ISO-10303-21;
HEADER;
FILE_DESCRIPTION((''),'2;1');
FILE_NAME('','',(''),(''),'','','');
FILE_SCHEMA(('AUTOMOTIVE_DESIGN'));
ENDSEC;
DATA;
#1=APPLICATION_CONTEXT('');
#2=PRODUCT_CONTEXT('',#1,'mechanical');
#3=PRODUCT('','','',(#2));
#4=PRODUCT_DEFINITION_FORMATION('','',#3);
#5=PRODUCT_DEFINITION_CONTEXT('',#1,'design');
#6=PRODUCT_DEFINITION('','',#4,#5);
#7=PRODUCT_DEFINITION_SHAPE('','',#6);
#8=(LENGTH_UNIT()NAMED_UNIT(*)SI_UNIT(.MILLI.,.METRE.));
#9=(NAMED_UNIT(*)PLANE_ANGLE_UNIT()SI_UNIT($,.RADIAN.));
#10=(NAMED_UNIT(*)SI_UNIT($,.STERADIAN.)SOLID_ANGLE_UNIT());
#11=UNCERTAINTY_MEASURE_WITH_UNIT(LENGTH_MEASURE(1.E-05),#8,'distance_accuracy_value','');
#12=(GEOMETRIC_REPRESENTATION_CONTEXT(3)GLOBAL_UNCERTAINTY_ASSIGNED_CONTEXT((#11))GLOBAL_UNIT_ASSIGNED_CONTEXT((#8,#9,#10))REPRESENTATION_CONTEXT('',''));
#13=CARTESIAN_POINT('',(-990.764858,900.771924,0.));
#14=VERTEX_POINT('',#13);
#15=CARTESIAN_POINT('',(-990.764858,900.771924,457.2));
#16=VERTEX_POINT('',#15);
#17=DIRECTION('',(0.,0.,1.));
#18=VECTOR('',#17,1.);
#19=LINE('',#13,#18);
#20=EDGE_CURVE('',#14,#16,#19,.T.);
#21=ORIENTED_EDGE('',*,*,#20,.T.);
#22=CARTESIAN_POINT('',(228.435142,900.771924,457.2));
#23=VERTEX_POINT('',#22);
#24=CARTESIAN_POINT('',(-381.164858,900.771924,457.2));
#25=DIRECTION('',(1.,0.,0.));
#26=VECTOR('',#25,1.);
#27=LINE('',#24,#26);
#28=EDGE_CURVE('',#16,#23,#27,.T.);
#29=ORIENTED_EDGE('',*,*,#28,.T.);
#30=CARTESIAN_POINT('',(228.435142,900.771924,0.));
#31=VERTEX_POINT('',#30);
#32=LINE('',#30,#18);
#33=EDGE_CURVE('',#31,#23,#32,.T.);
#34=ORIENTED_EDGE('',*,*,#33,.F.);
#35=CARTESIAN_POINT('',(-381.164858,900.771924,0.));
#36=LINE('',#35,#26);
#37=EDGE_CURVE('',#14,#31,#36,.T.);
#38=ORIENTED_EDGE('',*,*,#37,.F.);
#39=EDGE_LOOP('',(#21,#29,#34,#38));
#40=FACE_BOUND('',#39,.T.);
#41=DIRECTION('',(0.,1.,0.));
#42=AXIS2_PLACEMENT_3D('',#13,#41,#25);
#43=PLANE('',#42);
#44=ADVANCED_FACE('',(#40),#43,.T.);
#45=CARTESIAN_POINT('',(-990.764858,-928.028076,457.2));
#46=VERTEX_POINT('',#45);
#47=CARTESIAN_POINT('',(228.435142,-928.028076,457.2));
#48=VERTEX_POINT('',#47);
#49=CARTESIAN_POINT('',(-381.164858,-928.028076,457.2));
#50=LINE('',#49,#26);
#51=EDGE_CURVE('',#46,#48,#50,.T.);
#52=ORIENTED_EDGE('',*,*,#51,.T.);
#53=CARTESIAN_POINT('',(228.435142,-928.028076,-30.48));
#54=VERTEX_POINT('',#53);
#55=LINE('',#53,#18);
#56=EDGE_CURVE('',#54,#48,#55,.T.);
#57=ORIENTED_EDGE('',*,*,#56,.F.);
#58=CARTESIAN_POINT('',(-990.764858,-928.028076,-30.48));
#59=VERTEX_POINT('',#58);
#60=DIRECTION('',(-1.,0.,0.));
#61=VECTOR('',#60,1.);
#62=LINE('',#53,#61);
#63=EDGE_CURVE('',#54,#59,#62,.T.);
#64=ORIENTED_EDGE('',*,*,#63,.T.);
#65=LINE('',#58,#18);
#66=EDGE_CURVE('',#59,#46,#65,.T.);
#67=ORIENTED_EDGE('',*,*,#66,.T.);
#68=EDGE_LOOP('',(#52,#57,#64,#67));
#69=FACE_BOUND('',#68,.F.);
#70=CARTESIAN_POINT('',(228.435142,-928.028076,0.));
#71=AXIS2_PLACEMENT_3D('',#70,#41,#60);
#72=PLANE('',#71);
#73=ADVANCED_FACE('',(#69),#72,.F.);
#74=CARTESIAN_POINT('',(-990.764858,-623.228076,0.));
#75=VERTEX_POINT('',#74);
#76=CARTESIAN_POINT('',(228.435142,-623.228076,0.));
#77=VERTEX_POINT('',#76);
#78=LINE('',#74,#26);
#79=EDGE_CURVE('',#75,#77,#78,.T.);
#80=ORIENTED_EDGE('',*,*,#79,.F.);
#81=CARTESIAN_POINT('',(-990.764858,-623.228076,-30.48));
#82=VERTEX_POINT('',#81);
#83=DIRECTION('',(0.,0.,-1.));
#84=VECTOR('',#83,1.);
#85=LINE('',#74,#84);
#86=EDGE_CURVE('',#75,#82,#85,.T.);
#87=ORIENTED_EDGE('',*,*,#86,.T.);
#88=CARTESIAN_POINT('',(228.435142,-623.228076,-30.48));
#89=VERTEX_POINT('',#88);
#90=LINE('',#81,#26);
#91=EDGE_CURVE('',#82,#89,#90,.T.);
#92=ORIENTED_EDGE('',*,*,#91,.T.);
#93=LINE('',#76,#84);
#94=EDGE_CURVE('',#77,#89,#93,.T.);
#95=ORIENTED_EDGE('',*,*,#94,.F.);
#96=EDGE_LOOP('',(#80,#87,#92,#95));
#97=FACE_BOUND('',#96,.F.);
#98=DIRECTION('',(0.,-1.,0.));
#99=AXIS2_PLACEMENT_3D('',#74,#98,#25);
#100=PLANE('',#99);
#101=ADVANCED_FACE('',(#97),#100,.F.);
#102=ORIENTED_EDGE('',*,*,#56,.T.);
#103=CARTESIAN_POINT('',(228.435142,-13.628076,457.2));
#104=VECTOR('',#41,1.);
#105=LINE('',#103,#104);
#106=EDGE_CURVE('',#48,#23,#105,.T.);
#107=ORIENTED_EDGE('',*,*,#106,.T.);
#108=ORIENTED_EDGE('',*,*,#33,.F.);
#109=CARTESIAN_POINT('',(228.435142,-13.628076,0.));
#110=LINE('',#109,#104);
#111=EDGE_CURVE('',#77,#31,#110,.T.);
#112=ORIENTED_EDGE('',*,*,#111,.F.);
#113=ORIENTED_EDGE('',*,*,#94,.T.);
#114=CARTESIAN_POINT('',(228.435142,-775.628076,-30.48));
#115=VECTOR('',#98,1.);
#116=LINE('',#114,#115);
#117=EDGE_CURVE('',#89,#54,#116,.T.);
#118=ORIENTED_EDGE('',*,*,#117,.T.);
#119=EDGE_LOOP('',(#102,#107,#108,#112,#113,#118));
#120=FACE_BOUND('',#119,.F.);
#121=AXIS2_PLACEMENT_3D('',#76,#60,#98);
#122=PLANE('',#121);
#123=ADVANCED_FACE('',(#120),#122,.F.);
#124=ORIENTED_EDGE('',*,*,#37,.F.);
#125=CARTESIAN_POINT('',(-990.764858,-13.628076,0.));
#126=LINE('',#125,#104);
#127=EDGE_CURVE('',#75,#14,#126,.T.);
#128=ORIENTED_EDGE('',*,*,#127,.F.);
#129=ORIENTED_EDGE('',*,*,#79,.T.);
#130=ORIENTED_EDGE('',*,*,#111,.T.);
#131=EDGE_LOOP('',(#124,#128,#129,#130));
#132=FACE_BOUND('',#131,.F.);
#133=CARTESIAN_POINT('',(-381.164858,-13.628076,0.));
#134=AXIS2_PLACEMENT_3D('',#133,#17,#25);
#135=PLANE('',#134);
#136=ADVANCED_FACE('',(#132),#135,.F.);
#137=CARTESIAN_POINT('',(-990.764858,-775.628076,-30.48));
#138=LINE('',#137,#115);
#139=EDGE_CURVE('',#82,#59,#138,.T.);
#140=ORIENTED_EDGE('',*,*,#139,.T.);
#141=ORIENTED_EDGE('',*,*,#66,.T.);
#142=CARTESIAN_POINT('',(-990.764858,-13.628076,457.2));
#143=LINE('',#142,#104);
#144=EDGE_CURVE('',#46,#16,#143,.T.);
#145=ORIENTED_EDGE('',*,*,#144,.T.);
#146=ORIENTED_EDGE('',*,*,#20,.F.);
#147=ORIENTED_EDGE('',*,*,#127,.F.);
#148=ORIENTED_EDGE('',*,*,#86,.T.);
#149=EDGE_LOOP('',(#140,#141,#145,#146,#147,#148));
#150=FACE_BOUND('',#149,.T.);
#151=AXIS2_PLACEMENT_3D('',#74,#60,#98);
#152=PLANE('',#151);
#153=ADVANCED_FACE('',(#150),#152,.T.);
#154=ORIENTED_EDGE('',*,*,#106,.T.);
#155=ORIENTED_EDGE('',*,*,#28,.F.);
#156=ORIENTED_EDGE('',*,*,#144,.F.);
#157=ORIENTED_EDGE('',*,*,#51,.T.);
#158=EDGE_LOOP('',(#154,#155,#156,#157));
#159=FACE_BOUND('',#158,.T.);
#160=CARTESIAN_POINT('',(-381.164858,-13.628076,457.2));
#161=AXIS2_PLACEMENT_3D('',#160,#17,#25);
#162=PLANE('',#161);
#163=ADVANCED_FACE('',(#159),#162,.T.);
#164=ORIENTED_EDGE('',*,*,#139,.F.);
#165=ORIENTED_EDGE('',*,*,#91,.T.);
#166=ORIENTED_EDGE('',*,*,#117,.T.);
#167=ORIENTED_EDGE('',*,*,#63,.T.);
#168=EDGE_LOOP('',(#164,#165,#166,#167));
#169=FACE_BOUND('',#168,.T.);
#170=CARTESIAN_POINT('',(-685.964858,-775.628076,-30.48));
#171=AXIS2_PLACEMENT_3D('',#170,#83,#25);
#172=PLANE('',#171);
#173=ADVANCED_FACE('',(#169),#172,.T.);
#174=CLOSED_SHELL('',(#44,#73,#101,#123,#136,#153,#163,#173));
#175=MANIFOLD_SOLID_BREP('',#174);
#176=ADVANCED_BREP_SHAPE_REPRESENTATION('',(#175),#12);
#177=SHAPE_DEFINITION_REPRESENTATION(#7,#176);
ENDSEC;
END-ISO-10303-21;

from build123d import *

# Parameters (mm, degrees)
F0_W     = 1219.2
F0_H     = 1828.8
F1_DEPTH = 457.2
F2_W     = 609.6
F2_H     = 304.8
F3_DEPTH = 30.48


with BuildPart() as f1:
    # F0 (on Top) → F1 (new body)
    with BuildSketch(Plane.XY):
        with Locations((-381.164858, -13.628076)):
            Rectangle(F0_W, F0_H)
    extrude(amount=F1_DEPTH)

    # F2 (on face) → F3 (join)
    with BuildSketch(Plane(origin=(0, 0, 0), x_dir=(1, 0, 0), z_dir=(0, 0, -1))):
        with Locations((-685.964858, 775.628076)):
            Rectangle(F2_W, F2_H)
        with Locations((-76.364858, 775.628076)):
            Rectangle(F2_W, F2_H)
    extrude(amount=F3_DEPTH)


solid = f1.part
